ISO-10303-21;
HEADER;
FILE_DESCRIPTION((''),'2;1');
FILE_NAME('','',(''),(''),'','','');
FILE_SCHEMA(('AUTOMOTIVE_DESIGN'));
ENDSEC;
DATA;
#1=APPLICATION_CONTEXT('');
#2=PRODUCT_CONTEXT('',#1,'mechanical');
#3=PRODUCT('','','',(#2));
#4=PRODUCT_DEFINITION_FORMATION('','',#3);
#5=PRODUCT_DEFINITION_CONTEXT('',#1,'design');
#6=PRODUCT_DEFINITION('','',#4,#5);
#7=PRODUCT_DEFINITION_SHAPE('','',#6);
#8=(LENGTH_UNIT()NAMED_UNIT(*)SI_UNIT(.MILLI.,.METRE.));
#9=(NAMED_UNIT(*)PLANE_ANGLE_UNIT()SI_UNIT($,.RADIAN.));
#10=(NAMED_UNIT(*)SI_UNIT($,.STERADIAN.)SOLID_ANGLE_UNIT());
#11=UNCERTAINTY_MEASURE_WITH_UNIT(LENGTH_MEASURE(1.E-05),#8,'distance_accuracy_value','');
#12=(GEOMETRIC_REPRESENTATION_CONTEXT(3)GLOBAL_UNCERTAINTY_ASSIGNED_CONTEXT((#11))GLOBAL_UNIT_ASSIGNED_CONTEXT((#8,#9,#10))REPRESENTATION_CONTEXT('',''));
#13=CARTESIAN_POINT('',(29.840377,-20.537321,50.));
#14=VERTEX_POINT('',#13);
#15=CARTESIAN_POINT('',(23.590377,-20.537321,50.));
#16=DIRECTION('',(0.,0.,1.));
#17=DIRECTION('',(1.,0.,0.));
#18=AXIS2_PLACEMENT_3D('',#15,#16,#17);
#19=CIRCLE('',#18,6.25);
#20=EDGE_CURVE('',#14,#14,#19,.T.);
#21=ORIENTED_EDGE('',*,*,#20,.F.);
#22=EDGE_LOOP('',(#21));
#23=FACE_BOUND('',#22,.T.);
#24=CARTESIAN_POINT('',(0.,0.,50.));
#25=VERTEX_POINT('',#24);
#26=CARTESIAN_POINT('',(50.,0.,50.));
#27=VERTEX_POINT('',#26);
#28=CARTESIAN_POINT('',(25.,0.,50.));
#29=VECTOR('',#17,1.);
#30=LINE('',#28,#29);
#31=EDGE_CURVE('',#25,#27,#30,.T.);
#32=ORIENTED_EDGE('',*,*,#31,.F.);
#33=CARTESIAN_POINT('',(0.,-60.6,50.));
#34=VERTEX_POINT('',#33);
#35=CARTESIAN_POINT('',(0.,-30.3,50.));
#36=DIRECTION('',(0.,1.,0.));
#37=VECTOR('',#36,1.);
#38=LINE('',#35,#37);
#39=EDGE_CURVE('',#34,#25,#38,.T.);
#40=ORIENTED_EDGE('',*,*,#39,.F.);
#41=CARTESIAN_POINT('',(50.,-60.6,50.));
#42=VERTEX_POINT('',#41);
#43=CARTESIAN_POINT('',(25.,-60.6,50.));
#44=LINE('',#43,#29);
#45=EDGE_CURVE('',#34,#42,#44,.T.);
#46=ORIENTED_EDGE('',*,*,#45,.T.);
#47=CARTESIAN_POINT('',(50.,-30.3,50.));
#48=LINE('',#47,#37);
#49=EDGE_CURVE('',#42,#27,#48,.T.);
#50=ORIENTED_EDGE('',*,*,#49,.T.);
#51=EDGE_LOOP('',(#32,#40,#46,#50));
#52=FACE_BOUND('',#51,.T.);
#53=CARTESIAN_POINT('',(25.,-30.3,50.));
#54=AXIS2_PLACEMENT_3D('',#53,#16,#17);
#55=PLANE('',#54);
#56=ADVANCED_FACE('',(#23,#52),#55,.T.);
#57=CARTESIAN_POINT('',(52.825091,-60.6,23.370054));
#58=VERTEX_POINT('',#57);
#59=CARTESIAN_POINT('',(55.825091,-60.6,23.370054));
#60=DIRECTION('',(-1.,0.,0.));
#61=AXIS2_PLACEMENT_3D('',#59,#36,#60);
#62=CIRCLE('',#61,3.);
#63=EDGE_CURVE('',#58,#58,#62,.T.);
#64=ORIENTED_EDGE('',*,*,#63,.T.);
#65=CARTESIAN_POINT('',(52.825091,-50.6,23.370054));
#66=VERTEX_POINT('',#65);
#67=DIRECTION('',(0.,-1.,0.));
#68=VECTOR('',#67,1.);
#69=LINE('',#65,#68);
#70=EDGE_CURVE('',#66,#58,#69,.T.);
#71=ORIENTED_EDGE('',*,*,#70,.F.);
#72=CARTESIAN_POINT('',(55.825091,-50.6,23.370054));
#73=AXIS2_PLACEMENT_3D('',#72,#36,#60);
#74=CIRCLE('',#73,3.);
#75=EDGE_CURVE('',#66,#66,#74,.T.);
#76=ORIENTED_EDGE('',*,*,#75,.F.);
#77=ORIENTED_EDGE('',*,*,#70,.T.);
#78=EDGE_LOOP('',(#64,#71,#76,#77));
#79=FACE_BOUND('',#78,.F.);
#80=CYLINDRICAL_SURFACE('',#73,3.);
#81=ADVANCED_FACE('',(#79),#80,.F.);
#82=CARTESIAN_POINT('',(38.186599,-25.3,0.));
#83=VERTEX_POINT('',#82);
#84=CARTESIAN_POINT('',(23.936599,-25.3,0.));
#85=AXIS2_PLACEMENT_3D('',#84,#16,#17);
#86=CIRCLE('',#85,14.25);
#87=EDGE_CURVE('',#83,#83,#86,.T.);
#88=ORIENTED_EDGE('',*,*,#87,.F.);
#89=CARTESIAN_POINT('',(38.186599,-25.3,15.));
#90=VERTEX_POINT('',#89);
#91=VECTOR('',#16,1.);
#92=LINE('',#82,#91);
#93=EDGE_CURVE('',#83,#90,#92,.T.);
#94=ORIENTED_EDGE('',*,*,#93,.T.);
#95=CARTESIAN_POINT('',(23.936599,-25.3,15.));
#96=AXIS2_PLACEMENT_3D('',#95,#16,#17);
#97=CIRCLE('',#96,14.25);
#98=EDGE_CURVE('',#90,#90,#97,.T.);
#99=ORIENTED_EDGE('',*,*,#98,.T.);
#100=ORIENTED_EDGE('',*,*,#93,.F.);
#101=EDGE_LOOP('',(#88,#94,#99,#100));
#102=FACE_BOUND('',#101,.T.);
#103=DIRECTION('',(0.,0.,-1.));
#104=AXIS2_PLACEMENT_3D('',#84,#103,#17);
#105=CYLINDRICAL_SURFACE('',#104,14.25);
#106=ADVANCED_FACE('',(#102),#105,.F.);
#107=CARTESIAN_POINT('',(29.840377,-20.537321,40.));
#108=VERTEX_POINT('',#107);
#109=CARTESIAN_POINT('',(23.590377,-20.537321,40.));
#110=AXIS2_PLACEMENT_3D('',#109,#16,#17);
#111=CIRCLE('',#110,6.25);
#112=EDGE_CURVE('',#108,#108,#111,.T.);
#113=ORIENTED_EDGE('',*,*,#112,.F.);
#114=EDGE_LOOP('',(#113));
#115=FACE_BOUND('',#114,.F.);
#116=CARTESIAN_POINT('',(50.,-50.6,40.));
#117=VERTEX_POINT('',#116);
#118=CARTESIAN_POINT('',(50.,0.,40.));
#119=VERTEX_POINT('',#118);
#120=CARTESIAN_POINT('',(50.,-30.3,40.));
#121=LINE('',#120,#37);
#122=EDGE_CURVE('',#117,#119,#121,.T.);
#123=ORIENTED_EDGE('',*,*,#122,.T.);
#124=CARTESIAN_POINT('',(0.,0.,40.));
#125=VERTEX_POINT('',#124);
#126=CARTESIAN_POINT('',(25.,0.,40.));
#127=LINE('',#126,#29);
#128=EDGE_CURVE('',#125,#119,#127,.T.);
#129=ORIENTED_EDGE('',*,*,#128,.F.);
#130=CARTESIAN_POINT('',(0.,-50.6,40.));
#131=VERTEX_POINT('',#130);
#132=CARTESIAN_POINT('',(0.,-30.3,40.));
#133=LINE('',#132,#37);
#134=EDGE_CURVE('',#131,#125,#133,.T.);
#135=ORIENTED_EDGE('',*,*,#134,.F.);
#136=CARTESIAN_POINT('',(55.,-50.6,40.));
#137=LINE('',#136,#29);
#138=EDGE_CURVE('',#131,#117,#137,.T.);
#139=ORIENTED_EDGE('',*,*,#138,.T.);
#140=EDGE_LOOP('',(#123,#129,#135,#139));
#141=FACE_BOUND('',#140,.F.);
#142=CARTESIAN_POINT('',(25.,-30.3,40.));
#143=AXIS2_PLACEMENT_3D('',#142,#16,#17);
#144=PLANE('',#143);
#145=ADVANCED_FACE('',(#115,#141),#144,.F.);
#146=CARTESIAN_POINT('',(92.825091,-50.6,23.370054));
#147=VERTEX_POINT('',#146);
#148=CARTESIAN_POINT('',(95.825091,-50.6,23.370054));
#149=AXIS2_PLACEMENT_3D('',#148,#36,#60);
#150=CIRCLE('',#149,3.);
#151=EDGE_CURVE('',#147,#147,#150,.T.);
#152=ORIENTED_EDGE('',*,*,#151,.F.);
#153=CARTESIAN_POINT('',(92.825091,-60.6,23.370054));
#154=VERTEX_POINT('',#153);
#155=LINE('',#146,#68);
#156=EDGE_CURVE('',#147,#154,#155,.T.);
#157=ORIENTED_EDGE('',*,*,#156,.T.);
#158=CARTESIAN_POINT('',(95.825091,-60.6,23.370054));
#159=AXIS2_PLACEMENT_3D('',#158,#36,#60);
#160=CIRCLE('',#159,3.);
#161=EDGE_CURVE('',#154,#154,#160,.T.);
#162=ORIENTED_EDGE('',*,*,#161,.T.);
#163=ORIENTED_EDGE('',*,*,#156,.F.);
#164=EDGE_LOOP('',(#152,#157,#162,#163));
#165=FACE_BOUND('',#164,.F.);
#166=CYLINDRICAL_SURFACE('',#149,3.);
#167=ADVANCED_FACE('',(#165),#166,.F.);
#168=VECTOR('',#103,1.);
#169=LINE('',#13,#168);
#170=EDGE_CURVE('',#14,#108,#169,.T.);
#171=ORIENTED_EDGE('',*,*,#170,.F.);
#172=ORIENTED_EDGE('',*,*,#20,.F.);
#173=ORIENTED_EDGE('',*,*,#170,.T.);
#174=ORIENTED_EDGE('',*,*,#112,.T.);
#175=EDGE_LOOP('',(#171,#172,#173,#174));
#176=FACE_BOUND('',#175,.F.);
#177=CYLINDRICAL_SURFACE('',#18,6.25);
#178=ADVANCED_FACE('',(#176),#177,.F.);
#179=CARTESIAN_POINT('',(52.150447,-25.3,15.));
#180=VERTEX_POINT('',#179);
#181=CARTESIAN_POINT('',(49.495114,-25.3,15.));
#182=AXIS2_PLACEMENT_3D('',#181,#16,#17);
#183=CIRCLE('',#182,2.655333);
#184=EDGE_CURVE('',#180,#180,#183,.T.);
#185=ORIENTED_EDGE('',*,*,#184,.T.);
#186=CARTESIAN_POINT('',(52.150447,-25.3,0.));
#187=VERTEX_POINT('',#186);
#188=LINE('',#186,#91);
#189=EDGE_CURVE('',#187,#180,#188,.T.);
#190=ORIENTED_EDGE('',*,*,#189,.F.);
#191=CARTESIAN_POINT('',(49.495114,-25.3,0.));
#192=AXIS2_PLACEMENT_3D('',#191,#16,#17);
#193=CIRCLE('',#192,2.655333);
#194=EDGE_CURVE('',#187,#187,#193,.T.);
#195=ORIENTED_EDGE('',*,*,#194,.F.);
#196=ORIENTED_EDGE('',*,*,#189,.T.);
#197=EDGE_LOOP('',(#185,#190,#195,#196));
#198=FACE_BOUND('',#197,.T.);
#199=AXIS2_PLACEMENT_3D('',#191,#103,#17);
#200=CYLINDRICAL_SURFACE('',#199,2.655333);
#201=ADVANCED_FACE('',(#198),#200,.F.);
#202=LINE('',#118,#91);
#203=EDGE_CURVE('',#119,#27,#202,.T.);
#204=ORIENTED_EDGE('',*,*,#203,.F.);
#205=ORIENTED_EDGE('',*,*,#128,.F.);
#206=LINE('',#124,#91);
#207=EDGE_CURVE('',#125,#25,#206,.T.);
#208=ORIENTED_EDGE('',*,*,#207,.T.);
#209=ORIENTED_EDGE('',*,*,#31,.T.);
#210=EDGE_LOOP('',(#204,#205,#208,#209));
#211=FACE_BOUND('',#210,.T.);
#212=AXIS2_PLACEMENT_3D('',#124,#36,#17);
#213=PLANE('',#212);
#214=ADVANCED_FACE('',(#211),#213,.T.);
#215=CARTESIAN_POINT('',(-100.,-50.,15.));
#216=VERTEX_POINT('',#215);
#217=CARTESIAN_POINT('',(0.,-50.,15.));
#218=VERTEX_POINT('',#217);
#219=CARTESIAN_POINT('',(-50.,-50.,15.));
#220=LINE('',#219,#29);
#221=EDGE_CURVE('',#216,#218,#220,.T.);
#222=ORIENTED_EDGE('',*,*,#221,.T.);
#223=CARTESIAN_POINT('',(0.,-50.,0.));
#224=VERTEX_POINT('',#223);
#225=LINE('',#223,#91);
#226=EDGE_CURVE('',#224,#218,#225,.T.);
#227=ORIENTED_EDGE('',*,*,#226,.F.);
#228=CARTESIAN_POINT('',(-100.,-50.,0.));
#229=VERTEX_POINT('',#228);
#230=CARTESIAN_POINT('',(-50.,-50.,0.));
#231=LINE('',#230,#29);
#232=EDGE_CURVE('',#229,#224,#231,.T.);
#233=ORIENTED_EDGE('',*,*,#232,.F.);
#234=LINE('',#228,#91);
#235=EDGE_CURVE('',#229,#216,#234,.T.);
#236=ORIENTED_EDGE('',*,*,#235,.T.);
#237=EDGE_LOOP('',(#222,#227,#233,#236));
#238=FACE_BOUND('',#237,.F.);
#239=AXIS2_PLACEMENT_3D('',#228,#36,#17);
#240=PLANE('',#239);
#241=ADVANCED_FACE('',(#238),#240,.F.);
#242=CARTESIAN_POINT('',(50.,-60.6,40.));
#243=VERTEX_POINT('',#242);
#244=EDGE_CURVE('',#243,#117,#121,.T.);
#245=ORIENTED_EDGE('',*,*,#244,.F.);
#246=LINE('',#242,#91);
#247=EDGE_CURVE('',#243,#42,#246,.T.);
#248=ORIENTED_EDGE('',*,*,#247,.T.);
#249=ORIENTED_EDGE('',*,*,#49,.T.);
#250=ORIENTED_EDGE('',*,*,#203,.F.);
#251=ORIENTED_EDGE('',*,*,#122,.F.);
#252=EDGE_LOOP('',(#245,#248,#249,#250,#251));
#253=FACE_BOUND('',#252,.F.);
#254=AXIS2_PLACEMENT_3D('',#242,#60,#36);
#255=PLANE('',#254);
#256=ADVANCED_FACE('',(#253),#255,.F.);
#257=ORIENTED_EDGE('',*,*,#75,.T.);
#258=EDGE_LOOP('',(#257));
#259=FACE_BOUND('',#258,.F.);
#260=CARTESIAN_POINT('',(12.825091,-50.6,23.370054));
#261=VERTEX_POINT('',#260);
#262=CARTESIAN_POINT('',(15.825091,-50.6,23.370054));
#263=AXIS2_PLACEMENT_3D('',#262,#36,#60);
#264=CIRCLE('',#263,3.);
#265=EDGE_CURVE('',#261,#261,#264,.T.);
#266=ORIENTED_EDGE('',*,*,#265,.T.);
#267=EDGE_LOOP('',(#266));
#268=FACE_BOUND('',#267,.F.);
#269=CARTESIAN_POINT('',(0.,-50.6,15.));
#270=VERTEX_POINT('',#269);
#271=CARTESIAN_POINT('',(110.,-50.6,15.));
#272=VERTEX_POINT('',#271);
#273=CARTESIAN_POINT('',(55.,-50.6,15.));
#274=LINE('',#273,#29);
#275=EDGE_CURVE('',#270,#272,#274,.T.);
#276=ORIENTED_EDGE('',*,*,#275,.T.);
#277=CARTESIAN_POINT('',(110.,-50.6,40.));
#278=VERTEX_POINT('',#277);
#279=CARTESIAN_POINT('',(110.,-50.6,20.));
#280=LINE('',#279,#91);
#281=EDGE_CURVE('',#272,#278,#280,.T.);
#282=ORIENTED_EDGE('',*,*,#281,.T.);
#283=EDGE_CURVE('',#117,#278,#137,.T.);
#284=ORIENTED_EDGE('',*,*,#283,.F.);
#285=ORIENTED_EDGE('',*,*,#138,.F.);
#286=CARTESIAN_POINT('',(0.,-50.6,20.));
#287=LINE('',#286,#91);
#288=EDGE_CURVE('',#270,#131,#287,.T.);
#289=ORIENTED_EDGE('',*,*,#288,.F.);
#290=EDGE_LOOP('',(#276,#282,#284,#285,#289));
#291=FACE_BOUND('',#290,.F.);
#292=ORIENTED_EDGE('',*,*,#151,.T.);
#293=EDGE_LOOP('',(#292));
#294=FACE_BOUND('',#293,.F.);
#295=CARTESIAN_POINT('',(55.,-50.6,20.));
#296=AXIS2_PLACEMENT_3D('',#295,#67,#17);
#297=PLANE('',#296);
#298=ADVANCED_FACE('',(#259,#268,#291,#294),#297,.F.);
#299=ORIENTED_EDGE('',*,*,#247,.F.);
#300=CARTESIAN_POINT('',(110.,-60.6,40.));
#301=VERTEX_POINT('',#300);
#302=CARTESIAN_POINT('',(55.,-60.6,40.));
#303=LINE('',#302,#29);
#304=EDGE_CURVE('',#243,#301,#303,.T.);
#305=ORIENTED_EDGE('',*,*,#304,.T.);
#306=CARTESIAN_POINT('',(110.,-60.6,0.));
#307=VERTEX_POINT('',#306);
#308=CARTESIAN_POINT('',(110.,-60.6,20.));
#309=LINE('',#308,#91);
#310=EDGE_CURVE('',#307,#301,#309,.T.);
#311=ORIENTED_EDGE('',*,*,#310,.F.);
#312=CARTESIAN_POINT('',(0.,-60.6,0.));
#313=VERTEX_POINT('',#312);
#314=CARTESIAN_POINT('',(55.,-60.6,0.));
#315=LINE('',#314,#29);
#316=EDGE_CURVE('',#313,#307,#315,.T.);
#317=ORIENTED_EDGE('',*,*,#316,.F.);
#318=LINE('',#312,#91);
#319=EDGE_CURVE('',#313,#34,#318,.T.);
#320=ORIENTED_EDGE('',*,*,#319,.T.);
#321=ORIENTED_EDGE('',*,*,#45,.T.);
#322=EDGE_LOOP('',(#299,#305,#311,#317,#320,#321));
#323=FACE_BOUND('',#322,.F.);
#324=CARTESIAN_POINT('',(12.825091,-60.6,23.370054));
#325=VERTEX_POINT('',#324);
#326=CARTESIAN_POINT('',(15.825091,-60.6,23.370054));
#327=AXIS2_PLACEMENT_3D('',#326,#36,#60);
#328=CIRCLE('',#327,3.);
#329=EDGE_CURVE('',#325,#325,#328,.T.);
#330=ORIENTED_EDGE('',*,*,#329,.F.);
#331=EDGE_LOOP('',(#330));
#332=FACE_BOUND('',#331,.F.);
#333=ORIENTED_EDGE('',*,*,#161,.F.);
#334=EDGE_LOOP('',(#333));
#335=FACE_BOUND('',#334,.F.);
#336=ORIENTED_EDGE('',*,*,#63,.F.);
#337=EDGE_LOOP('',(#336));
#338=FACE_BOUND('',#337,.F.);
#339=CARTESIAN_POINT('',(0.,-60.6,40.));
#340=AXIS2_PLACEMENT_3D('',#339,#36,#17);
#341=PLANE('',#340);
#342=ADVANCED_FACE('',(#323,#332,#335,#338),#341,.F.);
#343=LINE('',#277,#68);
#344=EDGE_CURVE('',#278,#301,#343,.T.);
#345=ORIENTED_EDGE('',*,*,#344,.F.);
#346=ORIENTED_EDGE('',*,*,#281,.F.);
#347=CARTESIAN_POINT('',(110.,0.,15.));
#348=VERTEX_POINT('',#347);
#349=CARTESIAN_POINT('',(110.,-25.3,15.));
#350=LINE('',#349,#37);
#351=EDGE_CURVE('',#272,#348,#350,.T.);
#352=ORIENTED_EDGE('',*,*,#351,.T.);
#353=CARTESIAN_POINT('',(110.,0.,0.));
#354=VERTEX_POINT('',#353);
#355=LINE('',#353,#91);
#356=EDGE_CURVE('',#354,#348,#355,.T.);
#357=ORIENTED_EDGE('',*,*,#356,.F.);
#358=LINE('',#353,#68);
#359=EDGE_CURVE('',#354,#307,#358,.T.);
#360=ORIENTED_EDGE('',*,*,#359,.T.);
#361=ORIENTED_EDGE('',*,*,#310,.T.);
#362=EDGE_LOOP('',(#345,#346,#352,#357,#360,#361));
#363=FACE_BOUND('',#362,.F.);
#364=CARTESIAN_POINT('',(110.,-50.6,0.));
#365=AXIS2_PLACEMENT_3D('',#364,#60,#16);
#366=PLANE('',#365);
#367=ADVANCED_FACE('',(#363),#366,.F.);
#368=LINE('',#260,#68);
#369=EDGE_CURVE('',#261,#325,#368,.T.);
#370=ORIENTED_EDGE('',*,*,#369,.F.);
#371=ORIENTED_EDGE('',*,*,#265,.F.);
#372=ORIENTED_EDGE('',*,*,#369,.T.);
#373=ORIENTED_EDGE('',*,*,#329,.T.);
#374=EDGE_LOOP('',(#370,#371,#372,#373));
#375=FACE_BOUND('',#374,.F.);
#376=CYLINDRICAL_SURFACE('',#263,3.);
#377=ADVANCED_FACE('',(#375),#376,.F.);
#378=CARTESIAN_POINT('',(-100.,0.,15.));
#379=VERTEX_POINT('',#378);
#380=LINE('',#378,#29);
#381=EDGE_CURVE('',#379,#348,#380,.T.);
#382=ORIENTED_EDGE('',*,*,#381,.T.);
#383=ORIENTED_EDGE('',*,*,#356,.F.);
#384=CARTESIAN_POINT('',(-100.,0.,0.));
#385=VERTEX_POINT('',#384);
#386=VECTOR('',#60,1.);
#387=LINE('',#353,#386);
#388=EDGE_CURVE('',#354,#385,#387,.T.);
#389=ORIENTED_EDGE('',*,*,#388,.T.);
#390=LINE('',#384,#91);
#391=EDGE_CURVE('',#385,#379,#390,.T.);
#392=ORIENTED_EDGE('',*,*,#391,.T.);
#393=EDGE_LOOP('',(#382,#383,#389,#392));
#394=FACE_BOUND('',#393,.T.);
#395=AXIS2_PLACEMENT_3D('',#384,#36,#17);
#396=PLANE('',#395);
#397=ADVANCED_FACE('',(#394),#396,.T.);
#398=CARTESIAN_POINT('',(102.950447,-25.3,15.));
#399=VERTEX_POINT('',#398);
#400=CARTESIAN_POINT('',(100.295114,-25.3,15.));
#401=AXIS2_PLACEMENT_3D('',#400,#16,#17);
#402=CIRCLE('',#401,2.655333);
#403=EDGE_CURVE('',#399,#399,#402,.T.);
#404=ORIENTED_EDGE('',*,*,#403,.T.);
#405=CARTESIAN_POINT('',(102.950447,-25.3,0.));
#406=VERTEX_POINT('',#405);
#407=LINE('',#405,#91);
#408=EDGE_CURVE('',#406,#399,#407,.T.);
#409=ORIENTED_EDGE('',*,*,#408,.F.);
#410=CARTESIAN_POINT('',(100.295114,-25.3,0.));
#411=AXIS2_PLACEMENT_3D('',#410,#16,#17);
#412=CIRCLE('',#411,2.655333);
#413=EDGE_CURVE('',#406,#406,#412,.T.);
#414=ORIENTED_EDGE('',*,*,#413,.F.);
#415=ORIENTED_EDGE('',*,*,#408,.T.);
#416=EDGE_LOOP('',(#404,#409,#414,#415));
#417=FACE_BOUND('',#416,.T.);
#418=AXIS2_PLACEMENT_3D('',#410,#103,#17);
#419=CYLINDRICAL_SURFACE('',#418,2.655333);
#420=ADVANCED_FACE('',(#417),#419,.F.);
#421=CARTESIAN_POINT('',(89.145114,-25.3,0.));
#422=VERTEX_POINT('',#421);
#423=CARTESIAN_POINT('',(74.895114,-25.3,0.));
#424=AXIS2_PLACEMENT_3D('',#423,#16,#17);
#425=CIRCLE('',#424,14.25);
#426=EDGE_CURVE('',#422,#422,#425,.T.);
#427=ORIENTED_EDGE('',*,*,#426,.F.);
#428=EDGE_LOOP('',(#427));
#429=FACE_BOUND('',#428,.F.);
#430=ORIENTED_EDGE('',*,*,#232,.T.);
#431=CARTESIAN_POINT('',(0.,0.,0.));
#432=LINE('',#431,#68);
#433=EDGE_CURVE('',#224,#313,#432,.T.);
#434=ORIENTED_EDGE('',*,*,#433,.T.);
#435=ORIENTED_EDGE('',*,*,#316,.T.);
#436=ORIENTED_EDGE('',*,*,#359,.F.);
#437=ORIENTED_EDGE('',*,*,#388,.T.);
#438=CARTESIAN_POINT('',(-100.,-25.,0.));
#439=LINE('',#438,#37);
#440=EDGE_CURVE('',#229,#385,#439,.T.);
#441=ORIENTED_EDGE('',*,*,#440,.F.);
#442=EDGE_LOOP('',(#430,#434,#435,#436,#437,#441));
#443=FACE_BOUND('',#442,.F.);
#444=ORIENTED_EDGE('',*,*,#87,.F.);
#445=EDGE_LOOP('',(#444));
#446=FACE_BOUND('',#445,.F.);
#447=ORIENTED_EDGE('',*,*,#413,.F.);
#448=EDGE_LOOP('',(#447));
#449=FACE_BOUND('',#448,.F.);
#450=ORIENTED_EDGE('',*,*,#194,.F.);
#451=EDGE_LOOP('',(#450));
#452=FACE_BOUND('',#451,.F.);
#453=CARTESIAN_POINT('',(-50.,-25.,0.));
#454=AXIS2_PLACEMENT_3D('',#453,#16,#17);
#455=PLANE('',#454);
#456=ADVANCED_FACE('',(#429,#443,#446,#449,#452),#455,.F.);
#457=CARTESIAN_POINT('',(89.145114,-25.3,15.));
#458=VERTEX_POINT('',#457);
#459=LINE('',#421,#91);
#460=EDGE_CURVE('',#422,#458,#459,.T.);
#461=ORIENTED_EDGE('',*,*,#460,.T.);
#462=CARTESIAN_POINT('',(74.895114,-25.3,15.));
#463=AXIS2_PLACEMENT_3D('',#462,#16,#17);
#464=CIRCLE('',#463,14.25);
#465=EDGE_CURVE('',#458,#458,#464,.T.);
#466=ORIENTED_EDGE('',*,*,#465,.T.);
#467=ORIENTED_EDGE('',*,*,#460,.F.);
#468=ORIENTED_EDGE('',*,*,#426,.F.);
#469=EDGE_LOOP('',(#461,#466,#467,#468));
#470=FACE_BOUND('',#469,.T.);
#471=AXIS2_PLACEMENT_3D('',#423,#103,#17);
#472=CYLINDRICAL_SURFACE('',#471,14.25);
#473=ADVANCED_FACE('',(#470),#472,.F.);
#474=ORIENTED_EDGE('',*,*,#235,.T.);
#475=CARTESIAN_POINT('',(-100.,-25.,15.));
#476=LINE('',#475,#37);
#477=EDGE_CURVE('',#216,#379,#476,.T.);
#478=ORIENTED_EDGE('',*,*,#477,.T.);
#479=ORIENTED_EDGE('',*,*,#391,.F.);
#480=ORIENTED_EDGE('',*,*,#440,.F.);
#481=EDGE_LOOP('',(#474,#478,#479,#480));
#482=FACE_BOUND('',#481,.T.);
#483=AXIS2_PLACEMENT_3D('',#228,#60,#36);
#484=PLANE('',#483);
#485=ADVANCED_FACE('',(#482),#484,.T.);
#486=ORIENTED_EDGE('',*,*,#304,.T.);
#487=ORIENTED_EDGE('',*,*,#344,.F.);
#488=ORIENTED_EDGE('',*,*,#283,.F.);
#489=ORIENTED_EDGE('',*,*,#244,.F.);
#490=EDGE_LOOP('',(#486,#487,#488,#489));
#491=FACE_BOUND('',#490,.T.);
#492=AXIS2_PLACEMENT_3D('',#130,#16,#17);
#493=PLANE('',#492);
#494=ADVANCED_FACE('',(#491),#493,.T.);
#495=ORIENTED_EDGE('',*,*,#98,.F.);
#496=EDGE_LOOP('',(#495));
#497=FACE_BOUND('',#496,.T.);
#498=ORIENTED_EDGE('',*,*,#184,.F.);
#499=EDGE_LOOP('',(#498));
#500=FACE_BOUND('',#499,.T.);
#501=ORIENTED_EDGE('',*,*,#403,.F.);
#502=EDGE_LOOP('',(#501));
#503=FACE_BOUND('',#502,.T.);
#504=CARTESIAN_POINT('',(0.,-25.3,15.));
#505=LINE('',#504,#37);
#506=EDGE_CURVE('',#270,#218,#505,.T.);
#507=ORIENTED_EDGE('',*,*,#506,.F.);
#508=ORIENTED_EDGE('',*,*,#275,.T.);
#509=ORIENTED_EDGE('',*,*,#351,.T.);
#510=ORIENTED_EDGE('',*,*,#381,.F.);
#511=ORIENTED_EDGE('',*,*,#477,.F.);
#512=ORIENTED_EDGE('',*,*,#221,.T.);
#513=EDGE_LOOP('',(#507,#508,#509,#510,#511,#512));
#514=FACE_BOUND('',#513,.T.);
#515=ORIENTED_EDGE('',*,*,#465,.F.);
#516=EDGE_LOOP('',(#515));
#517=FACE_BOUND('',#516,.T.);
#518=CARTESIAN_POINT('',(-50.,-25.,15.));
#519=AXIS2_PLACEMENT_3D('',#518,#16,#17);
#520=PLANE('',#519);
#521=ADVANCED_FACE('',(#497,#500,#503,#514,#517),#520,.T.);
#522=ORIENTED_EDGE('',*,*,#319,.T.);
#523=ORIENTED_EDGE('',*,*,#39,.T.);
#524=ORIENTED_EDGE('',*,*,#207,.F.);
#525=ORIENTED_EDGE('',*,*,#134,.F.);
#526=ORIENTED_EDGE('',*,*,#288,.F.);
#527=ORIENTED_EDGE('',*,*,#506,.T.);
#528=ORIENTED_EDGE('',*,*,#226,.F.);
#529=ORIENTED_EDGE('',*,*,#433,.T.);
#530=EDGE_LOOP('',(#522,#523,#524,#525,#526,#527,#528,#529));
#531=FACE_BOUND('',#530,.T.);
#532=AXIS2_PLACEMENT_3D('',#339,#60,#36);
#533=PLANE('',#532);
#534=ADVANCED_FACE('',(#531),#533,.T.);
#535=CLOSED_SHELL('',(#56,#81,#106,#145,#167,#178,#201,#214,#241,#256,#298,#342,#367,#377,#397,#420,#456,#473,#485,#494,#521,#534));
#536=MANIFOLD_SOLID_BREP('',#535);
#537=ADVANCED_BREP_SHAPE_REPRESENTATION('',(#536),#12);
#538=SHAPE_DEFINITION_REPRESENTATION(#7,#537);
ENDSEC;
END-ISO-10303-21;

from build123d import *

# Parameters (mm, degrees)
F0_W      = 110
F0_H      = 50.6
F0_R      = 14.25
F0_R_2    = 2.655333
F1_DEPTH  = 15
F2_W      = 110
F2_H      = 40
F3_DEPTH  = 10
F4_R      = 3
F5_DEPTH  = 25
F6_W      = 50
F6_H      = 60.6
F7_DEPTH  = 10
F8_R      = 6.25
F9_DEPTH  = 25
F11_W     = 100
F11_H     = 50
F12_DEPTH = 15


with BuildPart() as f1:
    # F0 (on Top) → F1 (new body)
    with BuildSketch(Plane.XY):
        with Locations((55, -25.3)):
            Rectangle(F0_W, F0_H)
        with Locations((23.936599, -25.3)):
            Circle(F0_R, mode=Mode.SUBTRACT)
        with Locations((49.495114, -25.3)):
            Circle(F0_R_2, mode=Mode.SUBTRACT)
        with Locations((74.895114, -25.3)):
            Circle(F0_R, mode=Mode.SUBTRACT)
        with Locations((100.295114, -25.3)):
            Circle(F0_R_2, mode=Mode.SUBTRACT)
    extrude(amount=F1_DEPTH)

    # F2 (on face) → F3 (join)
    with BuildSketch(Plane.XZ.offset(50.6)):
        with Locations((55, 20)):
            Rectangle(F2_W, F2_H)
    extrude(amount=F3_DEPTH)

    # F4 (on face) → F5 (cut)
    with BuildSketch(Plane(origin=(0, -50.6, 0), x_dir=(-1, 0, 0), z_dir=(0, 1, 0))):
        with Locations((-95.825091, 23.370054)):
            Circle(F4_R)
        with Locations((-55.825091, 23.370054)):
            Circle(F4_R)
        with Locations((-15.825091, 23.370054)):
            Circle(F4_R)
    extrude(amount=-F5_DEPTH, mode=Mode.SUBTRACT)

    # F6 (on face) → F7 (join)
    with BuildSketch(Plane.XY.offset(40)):
        with Locations((25, -30.3)):
            Rectangle(F6_W, F6_H)
    extrude(amount=F7_DEPTH)

    # F8 (on face) → F9 (cut)
    with BuildSketch(Plane.XY.offset(50)):
        with Locations((23.590377, -20.537321)):
            Circle(F8_R)
    extrude(amount=-F9_DEPTH, mode=Mode.SUBTRACT)

    # F11 (on Top) → F12 (join)
    with BuildSketch(Plane.XY):
        with Locations((-50, -25)):
            Rectangle(F11_W, F11_H)
    extrude(amount=F12_DEPTH)


solid = f1.part
